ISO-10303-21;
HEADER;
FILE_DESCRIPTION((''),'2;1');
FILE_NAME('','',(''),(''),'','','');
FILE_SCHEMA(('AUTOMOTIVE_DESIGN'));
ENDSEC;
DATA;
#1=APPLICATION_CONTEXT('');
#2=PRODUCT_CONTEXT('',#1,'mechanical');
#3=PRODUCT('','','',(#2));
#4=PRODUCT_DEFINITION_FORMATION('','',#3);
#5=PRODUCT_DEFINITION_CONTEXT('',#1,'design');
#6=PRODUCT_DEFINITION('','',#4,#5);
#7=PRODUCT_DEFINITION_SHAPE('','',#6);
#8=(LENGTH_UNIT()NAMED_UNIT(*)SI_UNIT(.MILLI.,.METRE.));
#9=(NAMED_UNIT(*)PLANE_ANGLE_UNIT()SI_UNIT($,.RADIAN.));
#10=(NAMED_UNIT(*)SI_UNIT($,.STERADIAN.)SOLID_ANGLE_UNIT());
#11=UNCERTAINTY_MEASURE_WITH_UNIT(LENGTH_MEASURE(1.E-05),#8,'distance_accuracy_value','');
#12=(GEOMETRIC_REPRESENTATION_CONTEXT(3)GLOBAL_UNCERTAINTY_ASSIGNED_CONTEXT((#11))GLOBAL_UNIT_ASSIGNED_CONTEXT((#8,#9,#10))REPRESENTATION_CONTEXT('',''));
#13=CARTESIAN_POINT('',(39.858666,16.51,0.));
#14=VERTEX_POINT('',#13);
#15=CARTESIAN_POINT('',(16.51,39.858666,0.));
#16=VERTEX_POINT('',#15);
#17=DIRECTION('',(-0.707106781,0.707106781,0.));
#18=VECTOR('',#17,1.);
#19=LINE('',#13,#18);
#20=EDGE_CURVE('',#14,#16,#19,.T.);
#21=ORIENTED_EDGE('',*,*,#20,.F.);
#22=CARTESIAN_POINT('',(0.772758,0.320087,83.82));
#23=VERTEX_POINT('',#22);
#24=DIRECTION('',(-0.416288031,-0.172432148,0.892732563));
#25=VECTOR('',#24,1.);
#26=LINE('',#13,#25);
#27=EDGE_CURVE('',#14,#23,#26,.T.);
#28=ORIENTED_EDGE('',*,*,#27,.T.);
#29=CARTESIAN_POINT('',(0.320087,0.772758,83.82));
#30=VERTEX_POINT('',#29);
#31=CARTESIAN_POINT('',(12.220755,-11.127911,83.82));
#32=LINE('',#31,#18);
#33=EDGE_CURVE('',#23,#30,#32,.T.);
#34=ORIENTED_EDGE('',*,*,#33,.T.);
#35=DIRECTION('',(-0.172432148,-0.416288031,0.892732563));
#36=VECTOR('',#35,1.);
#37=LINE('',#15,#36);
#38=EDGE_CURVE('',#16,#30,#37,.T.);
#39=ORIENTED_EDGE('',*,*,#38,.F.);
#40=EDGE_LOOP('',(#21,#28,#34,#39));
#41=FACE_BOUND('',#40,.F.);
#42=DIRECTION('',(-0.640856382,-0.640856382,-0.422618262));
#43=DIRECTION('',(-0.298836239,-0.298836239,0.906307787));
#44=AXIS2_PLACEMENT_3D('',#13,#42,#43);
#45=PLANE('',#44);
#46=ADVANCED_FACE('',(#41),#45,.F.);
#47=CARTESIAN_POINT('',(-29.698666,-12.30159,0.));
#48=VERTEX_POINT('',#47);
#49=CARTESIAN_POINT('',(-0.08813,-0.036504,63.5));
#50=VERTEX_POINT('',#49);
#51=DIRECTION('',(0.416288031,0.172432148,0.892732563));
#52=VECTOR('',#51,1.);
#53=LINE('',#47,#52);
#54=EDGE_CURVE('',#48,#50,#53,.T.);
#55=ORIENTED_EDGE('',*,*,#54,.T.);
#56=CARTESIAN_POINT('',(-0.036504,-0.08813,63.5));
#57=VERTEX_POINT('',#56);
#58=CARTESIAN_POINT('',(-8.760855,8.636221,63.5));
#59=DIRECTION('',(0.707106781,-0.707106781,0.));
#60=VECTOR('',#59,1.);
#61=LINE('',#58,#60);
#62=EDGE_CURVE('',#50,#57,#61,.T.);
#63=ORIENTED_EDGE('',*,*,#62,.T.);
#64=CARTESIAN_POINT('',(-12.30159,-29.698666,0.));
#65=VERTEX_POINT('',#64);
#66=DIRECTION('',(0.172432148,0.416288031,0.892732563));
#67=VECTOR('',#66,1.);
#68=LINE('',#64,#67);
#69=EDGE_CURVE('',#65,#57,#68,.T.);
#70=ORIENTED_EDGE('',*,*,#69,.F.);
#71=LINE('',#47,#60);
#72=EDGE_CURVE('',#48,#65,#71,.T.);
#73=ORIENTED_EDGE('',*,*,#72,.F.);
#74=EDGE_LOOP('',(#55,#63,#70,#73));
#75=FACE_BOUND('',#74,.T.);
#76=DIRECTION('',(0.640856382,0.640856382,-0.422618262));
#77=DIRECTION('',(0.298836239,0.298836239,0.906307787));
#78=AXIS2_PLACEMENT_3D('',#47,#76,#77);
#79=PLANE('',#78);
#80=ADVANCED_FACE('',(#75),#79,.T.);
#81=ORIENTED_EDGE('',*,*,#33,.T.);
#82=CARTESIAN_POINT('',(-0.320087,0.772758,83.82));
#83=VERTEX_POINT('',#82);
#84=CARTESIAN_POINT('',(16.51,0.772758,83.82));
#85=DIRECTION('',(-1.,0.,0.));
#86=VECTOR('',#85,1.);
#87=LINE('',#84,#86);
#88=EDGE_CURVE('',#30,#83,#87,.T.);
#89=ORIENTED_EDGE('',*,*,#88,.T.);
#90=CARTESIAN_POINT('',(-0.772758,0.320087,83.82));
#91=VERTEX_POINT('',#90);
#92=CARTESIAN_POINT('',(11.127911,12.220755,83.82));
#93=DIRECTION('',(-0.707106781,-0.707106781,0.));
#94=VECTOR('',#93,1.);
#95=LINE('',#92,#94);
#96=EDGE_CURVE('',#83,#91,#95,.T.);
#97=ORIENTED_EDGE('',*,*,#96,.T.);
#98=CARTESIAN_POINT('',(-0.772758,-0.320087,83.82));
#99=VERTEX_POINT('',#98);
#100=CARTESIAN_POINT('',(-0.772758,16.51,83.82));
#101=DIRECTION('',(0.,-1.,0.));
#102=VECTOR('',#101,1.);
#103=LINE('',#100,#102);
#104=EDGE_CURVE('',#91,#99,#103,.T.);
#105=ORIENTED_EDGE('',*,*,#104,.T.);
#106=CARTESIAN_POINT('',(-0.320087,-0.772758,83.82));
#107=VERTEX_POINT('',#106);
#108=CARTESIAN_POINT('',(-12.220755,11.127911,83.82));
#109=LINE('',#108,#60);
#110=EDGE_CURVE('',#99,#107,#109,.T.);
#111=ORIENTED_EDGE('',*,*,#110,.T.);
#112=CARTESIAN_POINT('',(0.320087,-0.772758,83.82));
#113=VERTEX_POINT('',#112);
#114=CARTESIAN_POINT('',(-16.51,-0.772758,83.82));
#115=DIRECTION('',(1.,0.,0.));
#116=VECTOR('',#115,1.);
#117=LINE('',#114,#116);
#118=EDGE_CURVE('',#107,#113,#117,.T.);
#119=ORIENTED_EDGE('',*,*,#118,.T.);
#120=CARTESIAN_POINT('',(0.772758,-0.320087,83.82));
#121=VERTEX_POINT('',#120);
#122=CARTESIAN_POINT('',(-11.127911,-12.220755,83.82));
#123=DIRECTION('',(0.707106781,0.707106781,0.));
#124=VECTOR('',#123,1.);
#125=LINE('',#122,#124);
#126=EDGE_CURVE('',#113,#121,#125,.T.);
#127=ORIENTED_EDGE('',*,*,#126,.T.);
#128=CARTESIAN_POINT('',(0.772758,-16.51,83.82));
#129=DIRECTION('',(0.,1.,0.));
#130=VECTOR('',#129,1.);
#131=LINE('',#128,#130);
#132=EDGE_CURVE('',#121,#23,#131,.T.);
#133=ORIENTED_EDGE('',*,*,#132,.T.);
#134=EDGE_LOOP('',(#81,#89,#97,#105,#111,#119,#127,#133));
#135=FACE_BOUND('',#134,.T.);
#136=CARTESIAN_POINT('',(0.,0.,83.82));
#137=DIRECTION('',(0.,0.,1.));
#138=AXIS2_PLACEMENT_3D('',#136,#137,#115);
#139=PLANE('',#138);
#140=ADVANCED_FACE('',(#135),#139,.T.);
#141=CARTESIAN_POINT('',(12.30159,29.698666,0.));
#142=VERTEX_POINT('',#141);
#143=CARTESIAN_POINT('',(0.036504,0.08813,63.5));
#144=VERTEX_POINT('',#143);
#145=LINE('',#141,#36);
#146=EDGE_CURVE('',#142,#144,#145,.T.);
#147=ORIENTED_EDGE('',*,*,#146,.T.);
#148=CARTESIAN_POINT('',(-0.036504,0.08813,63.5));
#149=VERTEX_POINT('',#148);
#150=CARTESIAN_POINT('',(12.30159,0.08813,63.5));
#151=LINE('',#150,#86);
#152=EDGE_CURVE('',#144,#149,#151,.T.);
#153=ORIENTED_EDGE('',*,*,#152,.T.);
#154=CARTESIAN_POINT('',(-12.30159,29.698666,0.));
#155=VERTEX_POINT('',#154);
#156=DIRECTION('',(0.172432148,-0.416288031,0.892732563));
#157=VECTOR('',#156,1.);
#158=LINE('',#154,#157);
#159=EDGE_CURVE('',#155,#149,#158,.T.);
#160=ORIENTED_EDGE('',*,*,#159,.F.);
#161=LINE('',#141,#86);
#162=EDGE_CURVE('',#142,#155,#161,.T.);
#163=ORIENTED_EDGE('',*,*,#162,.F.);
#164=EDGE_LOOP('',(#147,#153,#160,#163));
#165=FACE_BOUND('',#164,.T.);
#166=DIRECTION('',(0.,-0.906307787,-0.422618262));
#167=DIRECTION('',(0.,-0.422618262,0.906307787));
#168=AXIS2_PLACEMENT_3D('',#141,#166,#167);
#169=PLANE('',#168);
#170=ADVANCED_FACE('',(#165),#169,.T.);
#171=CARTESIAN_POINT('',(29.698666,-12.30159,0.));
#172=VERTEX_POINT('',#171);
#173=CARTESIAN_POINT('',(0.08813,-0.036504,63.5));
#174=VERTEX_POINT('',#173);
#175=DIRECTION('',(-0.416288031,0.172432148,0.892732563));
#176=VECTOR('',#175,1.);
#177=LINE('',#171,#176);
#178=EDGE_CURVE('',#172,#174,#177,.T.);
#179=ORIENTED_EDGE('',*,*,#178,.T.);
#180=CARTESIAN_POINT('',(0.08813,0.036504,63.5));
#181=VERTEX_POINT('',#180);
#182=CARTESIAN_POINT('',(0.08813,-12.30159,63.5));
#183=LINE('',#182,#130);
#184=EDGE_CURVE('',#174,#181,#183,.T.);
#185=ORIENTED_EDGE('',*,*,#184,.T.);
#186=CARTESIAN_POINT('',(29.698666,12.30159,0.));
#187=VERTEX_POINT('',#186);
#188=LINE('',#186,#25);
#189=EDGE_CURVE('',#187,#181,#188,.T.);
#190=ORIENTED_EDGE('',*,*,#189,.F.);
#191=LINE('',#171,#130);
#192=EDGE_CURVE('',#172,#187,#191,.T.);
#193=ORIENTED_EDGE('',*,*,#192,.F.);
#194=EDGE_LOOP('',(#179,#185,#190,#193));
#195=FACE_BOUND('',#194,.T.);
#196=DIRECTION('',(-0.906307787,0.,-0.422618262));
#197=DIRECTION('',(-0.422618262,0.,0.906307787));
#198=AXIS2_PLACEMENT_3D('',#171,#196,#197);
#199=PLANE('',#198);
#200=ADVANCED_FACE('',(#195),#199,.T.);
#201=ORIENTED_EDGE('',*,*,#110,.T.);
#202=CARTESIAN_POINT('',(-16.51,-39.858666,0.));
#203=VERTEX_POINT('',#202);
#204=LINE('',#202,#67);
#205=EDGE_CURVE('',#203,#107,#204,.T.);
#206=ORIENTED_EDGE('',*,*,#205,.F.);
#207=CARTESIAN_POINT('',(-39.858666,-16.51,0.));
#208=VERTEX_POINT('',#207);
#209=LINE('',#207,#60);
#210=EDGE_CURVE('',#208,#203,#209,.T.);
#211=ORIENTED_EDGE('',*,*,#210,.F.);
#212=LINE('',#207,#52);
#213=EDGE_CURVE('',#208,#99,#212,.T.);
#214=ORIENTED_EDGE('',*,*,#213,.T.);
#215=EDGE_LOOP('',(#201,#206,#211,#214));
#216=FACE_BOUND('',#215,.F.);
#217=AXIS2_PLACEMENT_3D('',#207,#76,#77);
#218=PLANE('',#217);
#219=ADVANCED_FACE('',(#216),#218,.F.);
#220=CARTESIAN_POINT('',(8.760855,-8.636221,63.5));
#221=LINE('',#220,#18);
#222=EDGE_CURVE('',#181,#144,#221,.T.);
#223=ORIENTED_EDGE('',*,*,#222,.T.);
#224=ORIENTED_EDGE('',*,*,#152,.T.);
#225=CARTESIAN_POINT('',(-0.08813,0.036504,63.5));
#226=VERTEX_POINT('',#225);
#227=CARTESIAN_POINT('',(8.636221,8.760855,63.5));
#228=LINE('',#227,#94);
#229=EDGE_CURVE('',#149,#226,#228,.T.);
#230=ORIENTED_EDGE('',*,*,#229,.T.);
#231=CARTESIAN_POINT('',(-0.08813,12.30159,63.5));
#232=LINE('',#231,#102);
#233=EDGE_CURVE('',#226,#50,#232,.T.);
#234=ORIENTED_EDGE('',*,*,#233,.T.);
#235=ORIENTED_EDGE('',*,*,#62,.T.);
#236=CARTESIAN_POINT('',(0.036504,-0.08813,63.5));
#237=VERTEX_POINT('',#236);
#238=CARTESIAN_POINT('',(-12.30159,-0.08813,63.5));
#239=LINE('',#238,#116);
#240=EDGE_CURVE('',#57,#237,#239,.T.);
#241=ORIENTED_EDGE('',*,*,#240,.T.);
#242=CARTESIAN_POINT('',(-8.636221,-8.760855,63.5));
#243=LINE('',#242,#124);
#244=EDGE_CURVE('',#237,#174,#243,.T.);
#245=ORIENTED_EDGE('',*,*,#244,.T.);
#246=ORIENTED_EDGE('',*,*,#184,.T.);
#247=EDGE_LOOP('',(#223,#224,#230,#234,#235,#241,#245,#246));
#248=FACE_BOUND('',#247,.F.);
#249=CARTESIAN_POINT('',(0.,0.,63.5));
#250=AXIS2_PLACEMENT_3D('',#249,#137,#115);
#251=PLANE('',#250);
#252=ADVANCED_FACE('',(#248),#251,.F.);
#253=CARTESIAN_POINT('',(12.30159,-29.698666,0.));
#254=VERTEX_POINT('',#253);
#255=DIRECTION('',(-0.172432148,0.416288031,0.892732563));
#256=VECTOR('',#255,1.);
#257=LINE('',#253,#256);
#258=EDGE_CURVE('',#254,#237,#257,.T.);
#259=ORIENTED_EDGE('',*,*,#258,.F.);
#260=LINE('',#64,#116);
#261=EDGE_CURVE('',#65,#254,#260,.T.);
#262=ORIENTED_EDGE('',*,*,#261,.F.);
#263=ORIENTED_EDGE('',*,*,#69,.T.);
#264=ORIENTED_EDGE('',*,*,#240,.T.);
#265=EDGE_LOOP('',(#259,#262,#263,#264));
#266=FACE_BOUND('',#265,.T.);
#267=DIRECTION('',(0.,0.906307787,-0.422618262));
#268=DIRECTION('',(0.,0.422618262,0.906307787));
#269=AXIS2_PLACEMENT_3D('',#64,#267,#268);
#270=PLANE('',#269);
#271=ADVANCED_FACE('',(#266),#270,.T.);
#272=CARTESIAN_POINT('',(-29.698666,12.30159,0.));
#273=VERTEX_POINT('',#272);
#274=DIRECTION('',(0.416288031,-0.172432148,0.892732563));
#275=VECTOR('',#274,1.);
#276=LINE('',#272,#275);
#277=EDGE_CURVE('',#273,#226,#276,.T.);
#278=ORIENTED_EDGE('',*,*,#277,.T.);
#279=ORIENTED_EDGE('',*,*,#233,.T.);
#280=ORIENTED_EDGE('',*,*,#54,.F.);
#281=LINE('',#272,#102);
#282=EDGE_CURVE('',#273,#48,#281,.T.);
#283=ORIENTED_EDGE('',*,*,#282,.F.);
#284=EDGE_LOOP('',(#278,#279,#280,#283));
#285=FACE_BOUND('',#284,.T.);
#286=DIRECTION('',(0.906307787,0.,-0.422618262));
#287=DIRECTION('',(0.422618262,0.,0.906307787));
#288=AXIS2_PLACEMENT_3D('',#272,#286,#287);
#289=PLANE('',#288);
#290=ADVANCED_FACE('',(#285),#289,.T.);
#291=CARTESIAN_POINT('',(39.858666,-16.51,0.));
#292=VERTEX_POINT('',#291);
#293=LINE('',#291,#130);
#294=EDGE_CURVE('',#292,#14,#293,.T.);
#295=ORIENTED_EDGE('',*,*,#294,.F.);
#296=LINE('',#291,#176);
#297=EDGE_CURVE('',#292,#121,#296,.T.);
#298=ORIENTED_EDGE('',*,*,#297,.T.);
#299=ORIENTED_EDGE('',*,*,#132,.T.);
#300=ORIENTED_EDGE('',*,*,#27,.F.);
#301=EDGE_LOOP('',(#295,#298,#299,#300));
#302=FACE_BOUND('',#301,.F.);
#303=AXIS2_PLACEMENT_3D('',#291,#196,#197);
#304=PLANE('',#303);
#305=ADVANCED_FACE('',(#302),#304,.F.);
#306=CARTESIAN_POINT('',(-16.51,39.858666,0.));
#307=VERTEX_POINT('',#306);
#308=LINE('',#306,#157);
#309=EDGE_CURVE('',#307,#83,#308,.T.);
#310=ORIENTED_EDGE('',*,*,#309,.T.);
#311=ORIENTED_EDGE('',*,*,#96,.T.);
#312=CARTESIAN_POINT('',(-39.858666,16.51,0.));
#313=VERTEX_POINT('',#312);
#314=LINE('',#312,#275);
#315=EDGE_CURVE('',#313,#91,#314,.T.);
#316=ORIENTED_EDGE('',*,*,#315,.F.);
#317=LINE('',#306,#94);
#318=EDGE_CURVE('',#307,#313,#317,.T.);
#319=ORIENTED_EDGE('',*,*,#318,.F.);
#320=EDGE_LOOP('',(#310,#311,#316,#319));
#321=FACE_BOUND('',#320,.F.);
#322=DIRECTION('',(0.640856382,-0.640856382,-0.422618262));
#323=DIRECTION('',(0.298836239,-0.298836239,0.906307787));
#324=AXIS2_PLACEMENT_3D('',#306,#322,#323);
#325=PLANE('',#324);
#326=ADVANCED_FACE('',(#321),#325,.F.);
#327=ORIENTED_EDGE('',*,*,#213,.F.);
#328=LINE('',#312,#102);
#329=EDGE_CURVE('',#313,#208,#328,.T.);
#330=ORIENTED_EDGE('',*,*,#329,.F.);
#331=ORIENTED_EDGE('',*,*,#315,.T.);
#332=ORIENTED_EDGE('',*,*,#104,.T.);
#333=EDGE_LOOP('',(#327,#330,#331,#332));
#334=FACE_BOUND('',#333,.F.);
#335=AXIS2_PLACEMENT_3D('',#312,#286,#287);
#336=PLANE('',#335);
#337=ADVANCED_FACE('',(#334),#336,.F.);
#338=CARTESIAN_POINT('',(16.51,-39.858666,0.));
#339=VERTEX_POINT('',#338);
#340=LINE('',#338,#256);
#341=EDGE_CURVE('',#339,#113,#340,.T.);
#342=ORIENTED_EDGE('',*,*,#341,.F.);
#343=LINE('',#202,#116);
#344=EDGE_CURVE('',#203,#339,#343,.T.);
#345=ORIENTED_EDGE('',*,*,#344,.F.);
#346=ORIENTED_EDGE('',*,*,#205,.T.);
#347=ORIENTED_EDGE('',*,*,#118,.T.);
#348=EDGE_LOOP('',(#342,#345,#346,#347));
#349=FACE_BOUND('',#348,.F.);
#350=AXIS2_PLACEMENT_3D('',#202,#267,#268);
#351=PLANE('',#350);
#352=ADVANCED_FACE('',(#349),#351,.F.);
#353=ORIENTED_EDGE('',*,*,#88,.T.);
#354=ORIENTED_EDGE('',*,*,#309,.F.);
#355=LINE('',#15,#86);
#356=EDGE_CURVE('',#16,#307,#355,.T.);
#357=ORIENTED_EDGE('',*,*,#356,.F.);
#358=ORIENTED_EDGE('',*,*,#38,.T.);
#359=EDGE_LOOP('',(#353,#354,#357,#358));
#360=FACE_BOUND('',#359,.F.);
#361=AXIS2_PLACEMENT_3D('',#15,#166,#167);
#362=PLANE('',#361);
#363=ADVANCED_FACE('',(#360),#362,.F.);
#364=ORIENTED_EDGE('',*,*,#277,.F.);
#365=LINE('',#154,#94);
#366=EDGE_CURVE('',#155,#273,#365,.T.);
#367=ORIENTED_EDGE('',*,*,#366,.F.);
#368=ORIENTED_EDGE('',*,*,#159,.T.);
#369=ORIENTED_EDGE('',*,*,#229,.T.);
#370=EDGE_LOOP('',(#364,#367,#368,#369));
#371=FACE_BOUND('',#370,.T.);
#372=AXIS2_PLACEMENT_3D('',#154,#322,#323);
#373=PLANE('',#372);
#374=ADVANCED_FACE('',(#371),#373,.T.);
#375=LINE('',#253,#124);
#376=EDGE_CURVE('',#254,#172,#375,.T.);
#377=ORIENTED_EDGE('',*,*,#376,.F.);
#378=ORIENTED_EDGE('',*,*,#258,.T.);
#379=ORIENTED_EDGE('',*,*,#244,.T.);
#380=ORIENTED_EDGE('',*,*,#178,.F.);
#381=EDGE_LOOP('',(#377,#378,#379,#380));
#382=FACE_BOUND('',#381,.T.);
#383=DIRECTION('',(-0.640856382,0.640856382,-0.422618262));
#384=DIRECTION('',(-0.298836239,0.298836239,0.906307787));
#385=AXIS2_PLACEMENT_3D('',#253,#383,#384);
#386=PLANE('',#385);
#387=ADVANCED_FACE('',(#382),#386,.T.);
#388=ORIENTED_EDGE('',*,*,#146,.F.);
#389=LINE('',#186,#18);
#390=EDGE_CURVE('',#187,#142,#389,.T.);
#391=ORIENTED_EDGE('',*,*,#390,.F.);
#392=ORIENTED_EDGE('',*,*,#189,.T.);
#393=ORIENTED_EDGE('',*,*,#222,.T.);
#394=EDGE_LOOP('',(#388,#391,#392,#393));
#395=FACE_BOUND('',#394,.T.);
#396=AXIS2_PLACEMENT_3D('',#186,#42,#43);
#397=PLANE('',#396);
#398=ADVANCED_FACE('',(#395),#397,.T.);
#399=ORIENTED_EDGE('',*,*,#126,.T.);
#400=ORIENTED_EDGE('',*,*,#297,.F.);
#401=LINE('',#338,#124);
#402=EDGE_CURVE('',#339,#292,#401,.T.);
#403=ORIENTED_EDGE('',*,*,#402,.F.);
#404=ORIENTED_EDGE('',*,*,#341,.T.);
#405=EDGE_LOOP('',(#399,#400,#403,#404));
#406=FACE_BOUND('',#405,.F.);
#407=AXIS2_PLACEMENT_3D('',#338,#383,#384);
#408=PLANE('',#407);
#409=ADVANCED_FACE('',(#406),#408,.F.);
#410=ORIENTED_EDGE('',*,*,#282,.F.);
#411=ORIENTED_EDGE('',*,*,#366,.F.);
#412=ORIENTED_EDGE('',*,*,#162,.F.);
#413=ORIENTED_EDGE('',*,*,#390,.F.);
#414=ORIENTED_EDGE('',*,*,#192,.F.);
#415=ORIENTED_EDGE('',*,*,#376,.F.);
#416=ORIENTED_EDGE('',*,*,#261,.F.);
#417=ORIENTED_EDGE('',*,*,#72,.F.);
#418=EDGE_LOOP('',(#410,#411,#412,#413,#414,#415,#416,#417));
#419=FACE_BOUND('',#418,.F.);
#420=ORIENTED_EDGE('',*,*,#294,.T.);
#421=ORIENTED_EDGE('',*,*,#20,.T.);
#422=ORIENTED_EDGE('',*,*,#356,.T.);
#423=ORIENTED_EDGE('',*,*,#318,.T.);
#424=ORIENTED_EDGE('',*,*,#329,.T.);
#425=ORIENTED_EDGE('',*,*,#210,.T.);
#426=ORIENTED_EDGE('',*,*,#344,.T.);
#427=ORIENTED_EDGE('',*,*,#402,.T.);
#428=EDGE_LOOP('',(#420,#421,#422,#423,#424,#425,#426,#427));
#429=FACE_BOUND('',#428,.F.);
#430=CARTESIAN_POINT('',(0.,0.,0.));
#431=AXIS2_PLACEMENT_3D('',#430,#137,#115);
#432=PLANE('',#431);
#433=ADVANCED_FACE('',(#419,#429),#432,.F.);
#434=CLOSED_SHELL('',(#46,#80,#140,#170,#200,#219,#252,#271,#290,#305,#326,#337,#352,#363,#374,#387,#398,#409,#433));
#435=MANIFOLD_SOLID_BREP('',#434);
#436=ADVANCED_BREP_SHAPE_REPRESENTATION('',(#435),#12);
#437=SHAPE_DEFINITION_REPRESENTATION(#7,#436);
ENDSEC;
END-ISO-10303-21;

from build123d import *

# Parameters (mm, degrees)
F1_DEPTH = 83.82
F1_TAPER = 25
F3_DEPTH = 63.5
F3_TAPER = 25


with BuildPart() as f1:
    # F0 (on Top) → F1 (new body)
    with BuildSketch(Plane.XY):
        Polygon((16.51, 39.8586659148), (-16.51, 39.8586659148), (-39.8586659148, 16.51), (-39.8586659148, -16.51), (-16.51, -39.8586659148), (16.51, -39.8586659148), (39.8586659148, -16.51), (39.8586659148, 16.51), align=None)
        Polygon((-29.6986659148, 12.3015902063), (-12.3015902063, 29.6986659148), (12.3015902063, 29.6986659148), (29.6986659148, 12.3015902063), (29.6986659148, -12.3015902063), (12.3015902063, -29.6986659148), (-12.3015902063, -29.6986659148), (-29.6986659148, -12.3015902063), align=None, mode=Mode.SUBTRACT)
        Polygon((12.3015902063, 29.6986659148), (-12.3015902063, 29.6986659148), (-29.6986659148, 12.3015902063), (-29.6986659148, -12.3015902063), (-12.3015902063, -29.6986659148), (12.3015902063, -29.6986659148), (29.6986659148, -12.3015902063), (29.6986659148, 12.3015902063), align=None)
    extrude(amount=F1_DEPTH, taper=F1_TAPER)

    # F2 (on Top) → F3 (cut)
    with BuildSketch(Plane.XY):
        Polygon((29.6986659148, -12.3015902063), (29.6986659148, 12.3015902063), (12.3015902063, 29.6986659148), (-12.3015902063, 29.6986659148), (-29.6986659148, 12.3015902063), (-29.6986659148, -12.3015902063), (-12.3015902063, -29.6986659148), (12.3015902063, -29.6986659148), align=None)
    extrude(amount=F3_DEPTH, taper=F3_TAPER, mode=Mode.SUBTRACT)


solid = f1.part
